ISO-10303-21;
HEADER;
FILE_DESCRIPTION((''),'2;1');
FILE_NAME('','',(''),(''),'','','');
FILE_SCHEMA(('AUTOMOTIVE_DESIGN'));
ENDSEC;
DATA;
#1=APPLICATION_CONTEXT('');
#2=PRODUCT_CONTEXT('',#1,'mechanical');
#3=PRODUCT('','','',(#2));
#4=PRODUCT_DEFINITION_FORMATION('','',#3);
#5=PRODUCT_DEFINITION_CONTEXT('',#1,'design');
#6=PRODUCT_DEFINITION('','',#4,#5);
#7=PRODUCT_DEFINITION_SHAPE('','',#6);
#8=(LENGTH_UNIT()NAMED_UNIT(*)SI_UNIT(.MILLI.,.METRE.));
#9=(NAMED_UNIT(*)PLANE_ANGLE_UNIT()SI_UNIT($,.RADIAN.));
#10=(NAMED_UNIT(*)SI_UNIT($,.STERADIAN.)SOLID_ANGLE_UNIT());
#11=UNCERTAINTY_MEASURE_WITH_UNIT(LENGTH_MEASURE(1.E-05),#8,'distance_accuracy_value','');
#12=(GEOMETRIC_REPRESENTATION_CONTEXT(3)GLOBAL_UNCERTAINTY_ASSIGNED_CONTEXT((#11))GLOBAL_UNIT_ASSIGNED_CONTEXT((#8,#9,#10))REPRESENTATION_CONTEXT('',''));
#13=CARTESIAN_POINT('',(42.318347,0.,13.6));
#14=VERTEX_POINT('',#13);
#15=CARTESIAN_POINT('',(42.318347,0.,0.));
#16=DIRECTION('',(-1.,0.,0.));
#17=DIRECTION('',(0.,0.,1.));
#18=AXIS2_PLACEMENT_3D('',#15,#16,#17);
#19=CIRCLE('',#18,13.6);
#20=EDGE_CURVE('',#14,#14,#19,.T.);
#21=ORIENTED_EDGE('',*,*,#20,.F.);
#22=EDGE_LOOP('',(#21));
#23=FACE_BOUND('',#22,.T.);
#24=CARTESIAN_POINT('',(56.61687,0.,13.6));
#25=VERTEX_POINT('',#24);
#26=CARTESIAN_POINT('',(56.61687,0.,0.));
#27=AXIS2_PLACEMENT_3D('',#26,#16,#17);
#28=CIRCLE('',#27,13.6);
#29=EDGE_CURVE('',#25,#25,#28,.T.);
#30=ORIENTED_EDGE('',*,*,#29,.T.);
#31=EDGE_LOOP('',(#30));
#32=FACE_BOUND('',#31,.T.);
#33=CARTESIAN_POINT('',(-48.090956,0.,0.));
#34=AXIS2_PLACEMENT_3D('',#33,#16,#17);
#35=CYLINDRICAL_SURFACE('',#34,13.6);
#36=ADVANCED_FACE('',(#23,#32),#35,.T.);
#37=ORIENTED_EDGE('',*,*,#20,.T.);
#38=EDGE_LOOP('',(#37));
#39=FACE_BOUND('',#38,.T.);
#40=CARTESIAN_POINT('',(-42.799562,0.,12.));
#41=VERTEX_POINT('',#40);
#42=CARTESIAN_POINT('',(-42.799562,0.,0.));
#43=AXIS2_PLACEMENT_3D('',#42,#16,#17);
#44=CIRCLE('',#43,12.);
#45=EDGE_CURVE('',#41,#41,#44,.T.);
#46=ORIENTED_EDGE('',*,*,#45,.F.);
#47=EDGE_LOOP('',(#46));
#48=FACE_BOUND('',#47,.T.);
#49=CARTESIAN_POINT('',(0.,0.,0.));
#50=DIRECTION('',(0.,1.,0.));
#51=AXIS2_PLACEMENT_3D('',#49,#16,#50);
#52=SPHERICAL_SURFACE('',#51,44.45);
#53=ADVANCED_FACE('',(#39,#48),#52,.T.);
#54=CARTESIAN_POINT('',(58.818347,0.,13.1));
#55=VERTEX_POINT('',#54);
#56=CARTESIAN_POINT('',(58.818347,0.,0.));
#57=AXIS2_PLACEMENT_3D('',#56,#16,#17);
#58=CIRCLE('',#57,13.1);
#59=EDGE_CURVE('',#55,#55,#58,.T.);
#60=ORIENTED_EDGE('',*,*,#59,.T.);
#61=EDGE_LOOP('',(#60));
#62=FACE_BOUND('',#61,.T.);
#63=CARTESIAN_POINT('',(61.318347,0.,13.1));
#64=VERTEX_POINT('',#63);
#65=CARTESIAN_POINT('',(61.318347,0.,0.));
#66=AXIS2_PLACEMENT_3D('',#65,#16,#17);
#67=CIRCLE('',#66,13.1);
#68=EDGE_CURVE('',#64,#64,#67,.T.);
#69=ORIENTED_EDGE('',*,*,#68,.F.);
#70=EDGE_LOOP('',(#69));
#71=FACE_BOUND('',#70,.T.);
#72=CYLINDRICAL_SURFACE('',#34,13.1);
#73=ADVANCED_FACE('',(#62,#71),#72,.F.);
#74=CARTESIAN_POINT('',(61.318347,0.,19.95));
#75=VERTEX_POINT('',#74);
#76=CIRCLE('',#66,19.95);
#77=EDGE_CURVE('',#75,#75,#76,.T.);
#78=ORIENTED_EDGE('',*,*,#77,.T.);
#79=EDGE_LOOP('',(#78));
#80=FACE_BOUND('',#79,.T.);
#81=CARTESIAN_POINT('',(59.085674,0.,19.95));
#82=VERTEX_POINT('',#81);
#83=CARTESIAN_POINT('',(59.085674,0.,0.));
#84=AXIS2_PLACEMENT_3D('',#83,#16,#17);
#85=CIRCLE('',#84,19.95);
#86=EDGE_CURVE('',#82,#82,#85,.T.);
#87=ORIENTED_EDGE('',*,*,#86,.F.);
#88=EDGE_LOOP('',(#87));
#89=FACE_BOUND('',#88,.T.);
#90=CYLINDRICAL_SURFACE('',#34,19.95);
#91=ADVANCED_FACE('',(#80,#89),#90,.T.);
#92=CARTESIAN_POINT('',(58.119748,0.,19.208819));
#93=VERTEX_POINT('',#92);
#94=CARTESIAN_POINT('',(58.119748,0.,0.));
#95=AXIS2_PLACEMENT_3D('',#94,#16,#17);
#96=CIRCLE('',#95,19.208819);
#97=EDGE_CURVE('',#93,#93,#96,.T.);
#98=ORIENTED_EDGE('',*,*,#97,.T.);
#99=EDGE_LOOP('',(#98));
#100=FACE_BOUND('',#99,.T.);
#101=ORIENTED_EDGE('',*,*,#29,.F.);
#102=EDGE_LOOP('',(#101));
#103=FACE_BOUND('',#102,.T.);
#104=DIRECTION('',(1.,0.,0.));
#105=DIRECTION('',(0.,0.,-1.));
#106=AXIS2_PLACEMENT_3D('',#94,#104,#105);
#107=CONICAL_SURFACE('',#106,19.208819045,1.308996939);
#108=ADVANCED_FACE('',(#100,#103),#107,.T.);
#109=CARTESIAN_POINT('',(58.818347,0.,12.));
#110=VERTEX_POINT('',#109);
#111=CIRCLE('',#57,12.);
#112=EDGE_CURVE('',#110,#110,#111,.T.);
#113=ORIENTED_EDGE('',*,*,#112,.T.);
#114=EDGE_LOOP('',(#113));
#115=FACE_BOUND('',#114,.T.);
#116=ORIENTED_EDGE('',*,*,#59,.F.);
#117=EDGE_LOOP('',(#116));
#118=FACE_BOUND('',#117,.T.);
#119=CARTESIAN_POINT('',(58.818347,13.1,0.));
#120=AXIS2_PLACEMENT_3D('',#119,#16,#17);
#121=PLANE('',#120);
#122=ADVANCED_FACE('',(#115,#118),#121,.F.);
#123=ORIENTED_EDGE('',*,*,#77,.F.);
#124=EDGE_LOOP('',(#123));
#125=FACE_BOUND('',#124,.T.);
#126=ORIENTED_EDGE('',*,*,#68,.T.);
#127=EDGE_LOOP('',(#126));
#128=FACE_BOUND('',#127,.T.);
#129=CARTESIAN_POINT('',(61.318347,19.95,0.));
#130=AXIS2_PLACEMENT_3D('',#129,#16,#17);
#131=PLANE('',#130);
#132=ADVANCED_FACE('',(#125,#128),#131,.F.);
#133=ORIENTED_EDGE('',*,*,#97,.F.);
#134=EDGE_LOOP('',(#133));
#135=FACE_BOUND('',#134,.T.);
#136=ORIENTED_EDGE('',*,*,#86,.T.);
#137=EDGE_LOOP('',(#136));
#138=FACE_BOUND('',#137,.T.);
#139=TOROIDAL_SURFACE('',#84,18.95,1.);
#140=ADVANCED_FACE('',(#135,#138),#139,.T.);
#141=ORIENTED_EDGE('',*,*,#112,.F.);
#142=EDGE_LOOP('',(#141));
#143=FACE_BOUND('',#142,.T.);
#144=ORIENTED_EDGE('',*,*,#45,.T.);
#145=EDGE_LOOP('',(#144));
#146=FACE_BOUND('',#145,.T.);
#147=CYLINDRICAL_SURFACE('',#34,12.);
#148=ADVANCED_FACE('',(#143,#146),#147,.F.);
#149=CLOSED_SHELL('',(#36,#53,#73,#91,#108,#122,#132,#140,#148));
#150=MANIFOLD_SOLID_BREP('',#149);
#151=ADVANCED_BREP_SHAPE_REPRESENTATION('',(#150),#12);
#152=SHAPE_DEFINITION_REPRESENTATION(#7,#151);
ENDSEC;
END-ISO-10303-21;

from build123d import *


with BuildPart() as part:
    # Esquisse1 → Révolution1 (revolve)
    with BuildSketch(Plane.XY, mode=Mode.PRIVATE) as r_volution1_sk:
        with BuildLine():
            Line((-42.799561914, 12), (58.818347085, 12))
            Line((58.818347085, 12), (58.818347085, 13.1))
            Line((58.818347085, 13.1), (61.318347085, 13.1))
            Line((61.318347085, 13.1), (61.318347085, 19.95))
            Line((61.318347085, 19.95), (59.085674073, 19.95))
            ThreePointArc((59.085674073, 19.95), (58.476912644, 19.74335334), (58.119748247, 19.208819045))
            Line((58.119748247, 19.208819045), (56.616869713, 13.6))
            Line((56.616869713, 13.6), (42.318347085, 13.6))
            ThreePointArc((42.318347085, 13.6), (-0.835399263, 44.442149004), (-42.799561914, 12))
        make_face()
    revolve(r_volution1_sk.sketch.rotate(Axis((-48.090955631, 0, 0), (1, 0, 0)), 90), axis=Axis((-48.090955631, 0, 0), (1, 0, 0)))  # turned: the seam where the file's is


solid = part.part
